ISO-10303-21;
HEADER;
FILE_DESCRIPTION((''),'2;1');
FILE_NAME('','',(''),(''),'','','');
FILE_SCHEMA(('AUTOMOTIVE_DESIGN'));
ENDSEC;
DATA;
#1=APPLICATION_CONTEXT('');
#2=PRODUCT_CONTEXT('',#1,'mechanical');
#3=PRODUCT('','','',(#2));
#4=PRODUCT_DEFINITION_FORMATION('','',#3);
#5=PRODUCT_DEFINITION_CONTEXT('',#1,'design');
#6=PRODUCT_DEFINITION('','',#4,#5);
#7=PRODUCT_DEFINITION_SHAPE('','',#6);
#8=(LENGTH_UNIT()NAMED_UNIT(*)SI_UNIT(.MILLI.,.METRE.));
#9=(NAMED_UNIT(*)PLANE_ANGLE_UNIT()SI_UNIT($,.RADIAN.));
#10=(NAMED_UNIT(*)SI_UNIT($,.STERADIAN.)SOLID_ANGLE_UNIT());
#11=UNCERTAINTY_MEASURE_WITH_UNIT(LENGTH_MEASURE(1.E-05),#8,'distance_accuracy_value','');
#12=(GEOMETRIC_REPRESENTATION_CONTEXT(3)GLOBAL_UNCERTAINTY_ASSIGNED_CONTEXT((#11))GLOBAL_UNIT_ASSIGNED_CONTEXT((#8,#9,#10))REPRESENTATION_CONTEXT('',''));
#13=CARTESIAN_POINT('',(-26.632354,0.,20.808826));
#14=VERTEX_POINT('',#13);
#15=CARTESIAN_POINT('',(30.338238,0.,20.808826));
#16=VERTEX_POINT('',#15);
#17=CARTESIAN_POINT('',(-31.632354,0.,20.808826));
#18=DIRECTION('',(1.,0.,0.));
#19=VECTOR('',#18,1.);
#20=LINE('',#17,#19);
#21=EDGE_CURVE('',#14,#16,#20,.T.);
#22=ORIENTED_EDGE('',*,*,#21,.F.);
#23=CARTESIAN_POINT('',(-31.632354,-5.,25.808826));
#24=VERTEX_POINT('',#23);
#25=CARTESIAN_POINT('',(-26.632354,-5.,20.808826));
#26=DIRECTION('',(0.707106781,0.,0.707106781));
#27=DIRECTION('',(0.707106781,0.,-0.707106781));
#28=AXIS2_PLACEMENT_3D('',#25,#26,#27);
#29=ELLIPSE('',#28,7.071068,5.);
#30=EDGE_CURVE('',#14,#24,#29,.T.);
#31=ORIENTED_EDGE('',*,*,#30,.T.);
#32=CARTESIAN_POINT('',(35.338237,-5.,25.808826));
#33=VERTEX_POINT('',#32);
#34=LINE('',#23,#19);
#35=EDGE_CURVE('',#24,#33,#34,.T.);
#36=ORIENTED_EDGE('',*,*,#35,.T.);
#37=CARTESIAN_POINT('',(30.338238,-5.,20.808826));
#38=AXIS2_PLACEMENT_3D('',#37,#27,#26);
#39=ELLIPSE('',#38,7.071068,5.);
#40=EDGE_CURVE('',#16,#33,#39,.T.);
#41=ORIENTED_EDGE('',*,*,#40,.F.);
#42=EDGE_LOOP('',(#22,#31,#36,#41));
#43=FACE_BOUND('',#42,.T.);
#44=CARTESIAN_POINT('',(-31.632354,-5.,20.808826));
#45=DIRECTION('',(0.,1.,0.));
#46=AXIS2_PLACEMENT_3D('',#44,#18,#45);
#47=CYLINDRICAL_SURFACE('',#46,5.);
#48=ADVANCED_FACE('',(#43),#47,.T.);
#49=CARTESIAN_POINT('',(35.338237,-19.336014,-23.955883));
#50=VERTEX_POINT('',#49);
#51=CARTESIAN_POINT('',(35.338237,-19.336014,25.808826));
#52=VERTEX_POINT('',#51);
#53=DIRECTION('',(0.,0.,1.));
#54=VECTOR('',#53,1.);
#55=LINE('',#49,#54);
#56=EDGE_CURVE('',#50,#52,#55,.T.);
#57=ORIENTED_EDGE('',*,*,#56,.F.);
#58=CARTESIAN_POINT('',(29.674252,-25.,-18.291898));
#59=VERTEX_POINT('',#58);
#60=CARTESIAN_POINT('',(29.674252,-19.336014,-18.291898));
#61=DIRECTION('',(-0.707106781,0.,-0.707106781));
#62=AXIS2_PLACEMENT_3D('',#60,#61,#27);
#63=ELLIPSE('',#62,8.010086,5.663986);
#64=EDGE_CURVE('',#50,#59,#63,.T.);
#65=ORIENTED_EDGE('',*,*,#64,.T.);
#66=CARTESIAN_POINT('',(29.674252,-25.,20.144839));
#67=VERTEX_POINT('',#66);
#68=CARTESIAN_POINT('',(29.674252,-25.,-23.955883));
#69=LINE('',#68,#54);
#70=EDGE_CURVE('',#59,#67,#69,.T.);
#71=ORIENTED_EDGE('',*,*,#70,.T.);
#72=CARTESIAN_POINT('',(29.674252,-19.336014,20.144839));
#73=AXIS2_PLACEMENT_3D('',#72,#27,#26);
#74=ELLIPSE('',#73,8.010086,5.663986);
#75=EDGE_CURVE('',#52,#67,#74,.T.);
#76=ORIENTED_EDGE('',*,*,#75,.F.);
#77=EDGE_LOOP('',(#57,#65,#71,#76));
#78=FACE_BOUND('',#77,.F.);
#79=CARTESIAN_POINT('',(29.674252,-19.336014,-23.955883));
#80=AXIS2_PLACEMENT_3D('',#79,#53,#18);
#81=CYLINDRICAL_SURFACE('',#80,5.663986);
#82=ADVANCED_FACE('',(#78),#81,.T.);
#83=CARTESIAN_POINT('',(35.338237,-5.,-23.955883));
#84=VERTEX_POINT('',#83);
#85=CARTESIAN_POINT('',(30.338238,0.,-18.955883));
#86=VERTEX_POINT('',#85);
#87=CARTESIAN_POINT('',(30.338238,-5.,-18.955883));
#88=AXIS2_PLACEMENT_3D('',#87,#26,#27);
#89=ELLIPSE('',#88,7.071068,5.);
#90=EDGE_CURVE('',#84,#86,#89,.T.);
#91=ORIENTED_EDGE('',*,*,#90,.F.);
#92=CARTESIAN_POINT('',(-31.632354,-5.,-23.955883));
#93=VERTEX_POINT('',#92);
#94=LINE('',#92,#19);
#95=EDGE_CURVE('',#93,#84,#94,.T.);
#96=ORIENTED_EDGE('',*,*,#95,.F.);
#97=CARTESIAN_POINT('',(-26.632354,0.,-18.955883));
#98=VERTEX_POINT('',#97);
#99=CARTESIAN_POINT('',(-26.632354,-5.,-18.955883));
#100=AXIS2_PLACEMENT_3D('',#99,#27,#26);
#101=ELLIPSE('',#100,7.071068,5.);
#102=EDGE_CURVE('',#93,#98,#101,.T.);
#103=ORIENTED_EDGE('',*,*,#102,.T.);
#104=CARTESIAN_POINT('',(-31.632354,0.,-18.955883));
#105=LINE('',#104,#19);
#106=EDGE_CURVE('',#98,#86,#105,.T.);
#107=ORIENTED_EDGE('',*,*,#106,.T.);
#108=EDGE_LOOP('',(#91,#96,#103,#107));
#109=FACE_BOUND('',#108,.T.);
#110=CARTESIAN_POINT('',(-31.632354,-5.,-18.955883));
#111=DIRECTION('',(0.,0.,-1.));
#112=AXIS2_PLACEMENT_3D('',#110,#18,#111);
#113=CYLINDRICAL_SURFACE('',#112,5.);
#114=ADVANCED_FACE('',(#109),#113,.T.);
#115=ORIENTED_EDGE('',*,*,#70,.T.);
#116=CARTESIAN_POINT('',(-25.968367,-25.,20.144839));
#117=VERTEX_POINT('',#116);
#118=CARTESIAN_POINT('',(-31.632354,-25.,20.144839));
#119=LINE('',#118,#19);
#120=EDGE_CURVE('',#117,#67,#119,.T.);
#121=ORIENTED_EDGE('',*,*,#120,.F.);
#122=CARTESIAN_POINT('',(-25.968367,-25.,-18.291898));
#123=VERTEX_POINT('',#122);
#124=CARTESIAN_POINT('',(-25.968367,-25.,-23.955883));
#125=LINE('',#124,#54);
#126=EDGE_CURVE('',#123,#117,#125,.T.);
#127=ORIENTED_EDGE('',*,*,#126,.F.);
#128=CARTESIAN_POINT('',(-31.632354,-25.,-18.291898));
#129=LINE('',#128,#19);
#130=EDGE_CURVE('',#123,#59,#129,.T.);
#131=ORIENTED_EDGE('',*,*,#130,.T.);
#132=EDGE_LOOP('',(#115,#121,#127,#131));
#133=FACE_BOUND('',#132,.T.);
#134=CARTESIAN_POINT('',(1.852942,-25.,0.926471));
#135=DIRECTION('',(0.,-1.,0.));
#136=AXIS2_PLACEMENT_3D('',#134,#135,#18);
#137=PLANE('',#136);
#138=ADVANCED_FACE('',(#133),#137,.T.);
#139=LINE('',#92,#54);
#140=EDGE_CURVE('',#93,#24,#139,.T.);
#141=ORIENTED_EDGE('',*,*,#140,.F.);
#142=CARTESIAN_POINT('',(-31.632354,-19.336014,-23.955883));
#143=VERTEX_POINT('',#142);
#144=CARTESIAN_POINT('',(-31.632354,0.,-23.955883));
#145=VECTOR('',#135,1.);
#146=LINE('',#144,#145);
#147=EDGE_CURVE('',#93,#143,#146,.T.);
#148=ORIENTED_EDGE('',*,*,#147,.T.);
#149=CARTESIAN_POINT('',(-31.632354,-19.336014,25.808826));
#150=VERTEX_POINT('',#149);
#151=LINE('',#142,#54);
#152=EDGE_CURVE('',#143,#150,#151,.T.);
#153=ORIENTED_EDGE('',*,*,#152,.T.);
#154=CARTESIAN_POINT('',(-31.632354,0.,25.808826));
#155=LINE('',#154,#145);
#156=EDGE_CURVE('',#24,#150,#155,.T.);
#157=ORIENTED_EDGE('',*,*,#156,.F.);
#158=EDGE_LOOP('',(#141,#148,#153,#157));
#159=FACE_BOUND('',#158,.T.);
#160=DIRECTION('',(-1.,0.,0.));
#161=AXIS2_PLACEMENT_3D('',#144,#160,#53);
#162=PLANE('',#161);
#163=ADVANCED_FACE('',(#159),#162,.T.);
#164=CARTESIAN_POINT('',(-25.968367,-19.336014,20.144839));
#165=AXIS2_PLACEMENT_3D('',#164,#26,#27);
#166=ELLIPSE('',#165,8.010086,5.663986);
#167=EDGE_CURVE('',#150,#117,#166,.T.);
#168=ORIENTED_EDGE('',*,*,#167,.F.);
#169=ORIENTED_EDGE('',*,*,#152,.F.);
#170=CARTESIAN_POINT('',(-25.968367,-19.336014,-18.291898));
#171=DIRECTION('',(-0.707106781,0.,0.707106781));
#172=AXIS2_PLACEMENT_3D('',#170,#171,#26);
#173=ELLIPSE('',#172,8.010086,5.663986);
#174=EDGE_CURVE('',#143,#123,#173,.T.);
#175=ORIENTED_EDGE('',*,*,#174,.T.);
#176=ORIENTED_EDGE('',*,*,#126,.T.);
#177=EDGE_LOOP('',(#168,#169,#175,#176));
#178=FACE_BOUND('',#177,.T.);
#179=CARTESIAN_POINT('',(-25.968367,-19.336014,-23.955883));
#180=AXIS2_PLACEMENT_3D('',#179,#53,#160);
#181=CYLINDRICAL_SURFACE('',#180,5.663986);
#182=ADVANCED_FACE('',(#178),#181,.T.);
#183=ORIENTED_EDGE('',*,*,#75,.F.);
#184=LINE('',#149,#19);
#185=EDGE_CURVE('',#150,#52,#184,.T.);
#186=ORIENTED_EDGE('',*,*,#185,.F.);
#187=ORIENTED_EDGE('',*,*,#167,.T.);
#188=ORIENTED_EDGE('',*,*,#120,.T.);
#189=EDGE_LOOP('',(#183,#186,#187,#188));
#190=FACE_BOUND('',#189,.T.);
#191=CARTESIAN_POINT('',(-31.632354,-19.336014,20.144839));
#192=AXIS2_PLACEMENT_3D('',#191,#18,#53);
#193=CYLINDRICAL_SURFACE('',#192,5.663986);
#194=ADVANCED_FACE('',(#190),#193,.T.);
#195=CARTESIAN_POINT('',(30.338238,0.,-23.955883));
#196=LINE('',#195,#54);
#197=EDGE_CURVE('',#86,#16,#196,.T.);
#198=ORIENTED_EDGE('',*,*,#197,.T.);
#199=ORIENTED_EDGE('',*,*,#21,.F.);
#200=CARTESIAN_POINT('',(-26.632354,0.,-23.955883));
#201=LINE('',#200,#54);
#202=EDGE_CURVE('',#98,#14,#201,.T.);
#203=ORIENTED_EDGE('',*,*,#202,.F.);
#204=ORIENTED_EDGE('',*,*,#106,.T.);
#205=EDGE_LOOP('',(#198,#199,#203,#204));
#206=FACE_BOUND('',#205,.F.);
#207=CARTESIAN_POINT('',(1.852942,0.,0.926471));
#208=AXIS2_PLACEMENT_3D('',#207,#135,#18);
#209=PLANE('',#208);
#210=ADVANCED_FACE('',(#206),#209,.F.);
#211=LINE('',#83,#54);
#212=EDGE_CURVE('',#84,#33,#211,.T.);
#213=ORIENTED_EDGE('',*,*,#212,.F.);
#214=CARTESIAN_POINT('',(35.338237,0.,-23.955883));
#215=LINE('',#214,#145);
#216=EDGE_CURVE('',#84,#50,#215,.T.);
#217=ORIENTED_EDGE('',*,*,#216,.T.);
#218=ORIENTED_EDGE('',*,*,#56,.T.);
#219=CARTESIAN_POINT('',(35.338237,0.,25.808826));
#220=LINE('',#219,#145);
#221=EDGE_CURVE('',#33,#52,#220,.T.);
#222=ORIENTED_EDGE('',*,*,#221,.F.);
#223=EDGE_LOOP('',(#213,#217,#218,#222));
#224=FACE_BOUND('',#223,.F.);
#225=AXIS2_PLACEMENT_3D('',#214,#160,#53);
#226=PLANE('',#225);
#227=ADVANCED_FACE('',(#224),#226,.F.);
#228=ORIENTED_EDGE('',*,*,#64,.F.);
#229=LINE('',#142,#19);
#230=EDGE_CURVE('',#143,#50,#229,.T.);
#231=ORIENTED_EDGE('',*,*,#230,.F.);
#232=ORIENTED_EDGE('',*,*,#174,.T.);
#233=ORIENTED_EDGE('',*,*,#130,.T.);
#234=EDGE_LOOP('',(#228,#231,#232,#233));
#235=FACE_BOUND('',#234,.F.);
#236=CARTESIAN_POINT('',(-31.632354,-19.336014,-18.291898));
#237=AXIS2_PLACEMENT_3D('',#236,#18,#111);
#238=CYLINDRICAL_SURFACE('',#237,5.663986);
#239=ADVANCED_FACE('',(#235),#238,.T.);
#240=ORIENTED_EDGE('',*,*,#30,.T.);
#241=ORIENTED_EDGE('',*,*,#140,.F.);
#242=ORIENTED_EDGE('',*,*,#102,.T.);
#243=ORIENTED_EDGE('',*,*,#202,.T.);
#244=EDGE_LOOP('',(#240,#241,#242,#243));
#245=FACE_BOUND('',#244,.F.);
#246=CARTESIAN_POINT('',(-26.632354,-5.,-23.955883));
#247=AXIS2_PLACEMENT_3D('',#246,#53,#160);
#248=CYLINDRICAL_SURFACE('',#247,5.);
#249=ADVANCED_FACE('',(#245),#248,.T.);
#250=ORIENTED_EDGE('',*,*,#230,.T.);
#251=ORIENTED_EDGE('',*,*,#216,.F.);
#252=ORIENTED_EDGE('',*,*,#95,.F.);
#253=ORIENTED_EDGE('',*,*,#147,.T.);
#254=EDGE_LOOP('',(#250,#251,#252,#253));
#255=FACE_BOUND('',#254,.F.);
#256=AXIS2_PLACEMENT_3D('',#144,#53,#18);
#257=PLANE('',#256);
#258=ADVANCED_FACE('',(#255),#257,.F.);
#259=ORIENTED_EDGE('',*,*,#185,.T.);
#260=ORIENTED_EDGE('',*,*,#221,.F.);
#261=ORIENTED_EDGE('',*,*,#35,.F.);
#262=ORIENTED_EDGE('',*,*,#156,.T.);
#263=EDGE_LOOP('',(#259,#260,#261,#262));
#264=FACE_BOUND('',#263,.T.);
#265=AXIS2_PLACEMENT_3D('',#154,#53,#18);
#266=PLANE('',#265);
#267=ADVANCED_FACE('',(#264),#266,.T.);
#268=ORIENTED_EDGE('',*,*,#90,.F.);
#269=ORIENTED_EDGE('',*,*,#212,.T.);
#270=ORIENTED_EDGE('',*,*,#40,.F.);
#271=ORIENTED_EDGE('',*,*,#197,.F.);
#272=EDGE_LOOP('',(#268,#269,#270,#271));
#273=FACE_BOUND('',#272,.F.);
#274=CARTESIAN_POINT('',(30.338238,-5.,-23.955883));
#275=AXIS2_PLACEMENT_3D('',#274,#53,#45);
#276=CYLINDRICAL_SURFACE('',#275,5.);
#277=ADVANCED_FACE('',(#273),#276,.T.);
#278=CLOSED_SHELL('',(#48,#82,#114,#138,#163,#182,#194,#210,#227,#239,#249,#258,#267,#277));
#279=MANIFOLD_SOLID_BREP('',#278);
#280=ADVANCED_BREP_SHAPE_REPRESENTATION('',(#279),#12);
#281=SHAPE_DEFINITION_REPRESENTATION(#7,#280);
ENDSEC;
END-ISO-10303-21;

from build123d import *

# Parameters (mm, degrees)
F0_W     = 66.970591
F0_H     = 49.764709
F1_DEPTH = 25
F2_R     = 5.663986
F3_R     = 5


with BuildPart() as f1:
    # F0 (on Front) → F1 (new body)
    with BuildSketch(Plane.XZ):
        with Locations((1.852942, 0.926471)):
            Rectangle(F0_W, F0_H)
    extrude(amount=F1_DEPTH)

    # F2
    f2_edges = [f1.edges().sort_by_distance(p)[0] for p in [
        (1.852943, -25, 25.808826),
        (-31.632353, -25, 0.926471),
        (1.852943, -25, -23.955883),
        (35.338238, -25, 0.926471),
    ]]
    fillet(f2_edges, radius=F2_R)

    # F3
    f3_edges = [f1.edges().sort_by_distance(p)[0] for p in [
        (1.852943, 0, 25.808826),
        (-31.632353, 0, 0.926471),
        (1.852943, 0, -23.955883),
        (35.338238, 0, 0.926471),
    ]]
    fillet(f3_edges, radius=F3_R)


solid = f1.part
